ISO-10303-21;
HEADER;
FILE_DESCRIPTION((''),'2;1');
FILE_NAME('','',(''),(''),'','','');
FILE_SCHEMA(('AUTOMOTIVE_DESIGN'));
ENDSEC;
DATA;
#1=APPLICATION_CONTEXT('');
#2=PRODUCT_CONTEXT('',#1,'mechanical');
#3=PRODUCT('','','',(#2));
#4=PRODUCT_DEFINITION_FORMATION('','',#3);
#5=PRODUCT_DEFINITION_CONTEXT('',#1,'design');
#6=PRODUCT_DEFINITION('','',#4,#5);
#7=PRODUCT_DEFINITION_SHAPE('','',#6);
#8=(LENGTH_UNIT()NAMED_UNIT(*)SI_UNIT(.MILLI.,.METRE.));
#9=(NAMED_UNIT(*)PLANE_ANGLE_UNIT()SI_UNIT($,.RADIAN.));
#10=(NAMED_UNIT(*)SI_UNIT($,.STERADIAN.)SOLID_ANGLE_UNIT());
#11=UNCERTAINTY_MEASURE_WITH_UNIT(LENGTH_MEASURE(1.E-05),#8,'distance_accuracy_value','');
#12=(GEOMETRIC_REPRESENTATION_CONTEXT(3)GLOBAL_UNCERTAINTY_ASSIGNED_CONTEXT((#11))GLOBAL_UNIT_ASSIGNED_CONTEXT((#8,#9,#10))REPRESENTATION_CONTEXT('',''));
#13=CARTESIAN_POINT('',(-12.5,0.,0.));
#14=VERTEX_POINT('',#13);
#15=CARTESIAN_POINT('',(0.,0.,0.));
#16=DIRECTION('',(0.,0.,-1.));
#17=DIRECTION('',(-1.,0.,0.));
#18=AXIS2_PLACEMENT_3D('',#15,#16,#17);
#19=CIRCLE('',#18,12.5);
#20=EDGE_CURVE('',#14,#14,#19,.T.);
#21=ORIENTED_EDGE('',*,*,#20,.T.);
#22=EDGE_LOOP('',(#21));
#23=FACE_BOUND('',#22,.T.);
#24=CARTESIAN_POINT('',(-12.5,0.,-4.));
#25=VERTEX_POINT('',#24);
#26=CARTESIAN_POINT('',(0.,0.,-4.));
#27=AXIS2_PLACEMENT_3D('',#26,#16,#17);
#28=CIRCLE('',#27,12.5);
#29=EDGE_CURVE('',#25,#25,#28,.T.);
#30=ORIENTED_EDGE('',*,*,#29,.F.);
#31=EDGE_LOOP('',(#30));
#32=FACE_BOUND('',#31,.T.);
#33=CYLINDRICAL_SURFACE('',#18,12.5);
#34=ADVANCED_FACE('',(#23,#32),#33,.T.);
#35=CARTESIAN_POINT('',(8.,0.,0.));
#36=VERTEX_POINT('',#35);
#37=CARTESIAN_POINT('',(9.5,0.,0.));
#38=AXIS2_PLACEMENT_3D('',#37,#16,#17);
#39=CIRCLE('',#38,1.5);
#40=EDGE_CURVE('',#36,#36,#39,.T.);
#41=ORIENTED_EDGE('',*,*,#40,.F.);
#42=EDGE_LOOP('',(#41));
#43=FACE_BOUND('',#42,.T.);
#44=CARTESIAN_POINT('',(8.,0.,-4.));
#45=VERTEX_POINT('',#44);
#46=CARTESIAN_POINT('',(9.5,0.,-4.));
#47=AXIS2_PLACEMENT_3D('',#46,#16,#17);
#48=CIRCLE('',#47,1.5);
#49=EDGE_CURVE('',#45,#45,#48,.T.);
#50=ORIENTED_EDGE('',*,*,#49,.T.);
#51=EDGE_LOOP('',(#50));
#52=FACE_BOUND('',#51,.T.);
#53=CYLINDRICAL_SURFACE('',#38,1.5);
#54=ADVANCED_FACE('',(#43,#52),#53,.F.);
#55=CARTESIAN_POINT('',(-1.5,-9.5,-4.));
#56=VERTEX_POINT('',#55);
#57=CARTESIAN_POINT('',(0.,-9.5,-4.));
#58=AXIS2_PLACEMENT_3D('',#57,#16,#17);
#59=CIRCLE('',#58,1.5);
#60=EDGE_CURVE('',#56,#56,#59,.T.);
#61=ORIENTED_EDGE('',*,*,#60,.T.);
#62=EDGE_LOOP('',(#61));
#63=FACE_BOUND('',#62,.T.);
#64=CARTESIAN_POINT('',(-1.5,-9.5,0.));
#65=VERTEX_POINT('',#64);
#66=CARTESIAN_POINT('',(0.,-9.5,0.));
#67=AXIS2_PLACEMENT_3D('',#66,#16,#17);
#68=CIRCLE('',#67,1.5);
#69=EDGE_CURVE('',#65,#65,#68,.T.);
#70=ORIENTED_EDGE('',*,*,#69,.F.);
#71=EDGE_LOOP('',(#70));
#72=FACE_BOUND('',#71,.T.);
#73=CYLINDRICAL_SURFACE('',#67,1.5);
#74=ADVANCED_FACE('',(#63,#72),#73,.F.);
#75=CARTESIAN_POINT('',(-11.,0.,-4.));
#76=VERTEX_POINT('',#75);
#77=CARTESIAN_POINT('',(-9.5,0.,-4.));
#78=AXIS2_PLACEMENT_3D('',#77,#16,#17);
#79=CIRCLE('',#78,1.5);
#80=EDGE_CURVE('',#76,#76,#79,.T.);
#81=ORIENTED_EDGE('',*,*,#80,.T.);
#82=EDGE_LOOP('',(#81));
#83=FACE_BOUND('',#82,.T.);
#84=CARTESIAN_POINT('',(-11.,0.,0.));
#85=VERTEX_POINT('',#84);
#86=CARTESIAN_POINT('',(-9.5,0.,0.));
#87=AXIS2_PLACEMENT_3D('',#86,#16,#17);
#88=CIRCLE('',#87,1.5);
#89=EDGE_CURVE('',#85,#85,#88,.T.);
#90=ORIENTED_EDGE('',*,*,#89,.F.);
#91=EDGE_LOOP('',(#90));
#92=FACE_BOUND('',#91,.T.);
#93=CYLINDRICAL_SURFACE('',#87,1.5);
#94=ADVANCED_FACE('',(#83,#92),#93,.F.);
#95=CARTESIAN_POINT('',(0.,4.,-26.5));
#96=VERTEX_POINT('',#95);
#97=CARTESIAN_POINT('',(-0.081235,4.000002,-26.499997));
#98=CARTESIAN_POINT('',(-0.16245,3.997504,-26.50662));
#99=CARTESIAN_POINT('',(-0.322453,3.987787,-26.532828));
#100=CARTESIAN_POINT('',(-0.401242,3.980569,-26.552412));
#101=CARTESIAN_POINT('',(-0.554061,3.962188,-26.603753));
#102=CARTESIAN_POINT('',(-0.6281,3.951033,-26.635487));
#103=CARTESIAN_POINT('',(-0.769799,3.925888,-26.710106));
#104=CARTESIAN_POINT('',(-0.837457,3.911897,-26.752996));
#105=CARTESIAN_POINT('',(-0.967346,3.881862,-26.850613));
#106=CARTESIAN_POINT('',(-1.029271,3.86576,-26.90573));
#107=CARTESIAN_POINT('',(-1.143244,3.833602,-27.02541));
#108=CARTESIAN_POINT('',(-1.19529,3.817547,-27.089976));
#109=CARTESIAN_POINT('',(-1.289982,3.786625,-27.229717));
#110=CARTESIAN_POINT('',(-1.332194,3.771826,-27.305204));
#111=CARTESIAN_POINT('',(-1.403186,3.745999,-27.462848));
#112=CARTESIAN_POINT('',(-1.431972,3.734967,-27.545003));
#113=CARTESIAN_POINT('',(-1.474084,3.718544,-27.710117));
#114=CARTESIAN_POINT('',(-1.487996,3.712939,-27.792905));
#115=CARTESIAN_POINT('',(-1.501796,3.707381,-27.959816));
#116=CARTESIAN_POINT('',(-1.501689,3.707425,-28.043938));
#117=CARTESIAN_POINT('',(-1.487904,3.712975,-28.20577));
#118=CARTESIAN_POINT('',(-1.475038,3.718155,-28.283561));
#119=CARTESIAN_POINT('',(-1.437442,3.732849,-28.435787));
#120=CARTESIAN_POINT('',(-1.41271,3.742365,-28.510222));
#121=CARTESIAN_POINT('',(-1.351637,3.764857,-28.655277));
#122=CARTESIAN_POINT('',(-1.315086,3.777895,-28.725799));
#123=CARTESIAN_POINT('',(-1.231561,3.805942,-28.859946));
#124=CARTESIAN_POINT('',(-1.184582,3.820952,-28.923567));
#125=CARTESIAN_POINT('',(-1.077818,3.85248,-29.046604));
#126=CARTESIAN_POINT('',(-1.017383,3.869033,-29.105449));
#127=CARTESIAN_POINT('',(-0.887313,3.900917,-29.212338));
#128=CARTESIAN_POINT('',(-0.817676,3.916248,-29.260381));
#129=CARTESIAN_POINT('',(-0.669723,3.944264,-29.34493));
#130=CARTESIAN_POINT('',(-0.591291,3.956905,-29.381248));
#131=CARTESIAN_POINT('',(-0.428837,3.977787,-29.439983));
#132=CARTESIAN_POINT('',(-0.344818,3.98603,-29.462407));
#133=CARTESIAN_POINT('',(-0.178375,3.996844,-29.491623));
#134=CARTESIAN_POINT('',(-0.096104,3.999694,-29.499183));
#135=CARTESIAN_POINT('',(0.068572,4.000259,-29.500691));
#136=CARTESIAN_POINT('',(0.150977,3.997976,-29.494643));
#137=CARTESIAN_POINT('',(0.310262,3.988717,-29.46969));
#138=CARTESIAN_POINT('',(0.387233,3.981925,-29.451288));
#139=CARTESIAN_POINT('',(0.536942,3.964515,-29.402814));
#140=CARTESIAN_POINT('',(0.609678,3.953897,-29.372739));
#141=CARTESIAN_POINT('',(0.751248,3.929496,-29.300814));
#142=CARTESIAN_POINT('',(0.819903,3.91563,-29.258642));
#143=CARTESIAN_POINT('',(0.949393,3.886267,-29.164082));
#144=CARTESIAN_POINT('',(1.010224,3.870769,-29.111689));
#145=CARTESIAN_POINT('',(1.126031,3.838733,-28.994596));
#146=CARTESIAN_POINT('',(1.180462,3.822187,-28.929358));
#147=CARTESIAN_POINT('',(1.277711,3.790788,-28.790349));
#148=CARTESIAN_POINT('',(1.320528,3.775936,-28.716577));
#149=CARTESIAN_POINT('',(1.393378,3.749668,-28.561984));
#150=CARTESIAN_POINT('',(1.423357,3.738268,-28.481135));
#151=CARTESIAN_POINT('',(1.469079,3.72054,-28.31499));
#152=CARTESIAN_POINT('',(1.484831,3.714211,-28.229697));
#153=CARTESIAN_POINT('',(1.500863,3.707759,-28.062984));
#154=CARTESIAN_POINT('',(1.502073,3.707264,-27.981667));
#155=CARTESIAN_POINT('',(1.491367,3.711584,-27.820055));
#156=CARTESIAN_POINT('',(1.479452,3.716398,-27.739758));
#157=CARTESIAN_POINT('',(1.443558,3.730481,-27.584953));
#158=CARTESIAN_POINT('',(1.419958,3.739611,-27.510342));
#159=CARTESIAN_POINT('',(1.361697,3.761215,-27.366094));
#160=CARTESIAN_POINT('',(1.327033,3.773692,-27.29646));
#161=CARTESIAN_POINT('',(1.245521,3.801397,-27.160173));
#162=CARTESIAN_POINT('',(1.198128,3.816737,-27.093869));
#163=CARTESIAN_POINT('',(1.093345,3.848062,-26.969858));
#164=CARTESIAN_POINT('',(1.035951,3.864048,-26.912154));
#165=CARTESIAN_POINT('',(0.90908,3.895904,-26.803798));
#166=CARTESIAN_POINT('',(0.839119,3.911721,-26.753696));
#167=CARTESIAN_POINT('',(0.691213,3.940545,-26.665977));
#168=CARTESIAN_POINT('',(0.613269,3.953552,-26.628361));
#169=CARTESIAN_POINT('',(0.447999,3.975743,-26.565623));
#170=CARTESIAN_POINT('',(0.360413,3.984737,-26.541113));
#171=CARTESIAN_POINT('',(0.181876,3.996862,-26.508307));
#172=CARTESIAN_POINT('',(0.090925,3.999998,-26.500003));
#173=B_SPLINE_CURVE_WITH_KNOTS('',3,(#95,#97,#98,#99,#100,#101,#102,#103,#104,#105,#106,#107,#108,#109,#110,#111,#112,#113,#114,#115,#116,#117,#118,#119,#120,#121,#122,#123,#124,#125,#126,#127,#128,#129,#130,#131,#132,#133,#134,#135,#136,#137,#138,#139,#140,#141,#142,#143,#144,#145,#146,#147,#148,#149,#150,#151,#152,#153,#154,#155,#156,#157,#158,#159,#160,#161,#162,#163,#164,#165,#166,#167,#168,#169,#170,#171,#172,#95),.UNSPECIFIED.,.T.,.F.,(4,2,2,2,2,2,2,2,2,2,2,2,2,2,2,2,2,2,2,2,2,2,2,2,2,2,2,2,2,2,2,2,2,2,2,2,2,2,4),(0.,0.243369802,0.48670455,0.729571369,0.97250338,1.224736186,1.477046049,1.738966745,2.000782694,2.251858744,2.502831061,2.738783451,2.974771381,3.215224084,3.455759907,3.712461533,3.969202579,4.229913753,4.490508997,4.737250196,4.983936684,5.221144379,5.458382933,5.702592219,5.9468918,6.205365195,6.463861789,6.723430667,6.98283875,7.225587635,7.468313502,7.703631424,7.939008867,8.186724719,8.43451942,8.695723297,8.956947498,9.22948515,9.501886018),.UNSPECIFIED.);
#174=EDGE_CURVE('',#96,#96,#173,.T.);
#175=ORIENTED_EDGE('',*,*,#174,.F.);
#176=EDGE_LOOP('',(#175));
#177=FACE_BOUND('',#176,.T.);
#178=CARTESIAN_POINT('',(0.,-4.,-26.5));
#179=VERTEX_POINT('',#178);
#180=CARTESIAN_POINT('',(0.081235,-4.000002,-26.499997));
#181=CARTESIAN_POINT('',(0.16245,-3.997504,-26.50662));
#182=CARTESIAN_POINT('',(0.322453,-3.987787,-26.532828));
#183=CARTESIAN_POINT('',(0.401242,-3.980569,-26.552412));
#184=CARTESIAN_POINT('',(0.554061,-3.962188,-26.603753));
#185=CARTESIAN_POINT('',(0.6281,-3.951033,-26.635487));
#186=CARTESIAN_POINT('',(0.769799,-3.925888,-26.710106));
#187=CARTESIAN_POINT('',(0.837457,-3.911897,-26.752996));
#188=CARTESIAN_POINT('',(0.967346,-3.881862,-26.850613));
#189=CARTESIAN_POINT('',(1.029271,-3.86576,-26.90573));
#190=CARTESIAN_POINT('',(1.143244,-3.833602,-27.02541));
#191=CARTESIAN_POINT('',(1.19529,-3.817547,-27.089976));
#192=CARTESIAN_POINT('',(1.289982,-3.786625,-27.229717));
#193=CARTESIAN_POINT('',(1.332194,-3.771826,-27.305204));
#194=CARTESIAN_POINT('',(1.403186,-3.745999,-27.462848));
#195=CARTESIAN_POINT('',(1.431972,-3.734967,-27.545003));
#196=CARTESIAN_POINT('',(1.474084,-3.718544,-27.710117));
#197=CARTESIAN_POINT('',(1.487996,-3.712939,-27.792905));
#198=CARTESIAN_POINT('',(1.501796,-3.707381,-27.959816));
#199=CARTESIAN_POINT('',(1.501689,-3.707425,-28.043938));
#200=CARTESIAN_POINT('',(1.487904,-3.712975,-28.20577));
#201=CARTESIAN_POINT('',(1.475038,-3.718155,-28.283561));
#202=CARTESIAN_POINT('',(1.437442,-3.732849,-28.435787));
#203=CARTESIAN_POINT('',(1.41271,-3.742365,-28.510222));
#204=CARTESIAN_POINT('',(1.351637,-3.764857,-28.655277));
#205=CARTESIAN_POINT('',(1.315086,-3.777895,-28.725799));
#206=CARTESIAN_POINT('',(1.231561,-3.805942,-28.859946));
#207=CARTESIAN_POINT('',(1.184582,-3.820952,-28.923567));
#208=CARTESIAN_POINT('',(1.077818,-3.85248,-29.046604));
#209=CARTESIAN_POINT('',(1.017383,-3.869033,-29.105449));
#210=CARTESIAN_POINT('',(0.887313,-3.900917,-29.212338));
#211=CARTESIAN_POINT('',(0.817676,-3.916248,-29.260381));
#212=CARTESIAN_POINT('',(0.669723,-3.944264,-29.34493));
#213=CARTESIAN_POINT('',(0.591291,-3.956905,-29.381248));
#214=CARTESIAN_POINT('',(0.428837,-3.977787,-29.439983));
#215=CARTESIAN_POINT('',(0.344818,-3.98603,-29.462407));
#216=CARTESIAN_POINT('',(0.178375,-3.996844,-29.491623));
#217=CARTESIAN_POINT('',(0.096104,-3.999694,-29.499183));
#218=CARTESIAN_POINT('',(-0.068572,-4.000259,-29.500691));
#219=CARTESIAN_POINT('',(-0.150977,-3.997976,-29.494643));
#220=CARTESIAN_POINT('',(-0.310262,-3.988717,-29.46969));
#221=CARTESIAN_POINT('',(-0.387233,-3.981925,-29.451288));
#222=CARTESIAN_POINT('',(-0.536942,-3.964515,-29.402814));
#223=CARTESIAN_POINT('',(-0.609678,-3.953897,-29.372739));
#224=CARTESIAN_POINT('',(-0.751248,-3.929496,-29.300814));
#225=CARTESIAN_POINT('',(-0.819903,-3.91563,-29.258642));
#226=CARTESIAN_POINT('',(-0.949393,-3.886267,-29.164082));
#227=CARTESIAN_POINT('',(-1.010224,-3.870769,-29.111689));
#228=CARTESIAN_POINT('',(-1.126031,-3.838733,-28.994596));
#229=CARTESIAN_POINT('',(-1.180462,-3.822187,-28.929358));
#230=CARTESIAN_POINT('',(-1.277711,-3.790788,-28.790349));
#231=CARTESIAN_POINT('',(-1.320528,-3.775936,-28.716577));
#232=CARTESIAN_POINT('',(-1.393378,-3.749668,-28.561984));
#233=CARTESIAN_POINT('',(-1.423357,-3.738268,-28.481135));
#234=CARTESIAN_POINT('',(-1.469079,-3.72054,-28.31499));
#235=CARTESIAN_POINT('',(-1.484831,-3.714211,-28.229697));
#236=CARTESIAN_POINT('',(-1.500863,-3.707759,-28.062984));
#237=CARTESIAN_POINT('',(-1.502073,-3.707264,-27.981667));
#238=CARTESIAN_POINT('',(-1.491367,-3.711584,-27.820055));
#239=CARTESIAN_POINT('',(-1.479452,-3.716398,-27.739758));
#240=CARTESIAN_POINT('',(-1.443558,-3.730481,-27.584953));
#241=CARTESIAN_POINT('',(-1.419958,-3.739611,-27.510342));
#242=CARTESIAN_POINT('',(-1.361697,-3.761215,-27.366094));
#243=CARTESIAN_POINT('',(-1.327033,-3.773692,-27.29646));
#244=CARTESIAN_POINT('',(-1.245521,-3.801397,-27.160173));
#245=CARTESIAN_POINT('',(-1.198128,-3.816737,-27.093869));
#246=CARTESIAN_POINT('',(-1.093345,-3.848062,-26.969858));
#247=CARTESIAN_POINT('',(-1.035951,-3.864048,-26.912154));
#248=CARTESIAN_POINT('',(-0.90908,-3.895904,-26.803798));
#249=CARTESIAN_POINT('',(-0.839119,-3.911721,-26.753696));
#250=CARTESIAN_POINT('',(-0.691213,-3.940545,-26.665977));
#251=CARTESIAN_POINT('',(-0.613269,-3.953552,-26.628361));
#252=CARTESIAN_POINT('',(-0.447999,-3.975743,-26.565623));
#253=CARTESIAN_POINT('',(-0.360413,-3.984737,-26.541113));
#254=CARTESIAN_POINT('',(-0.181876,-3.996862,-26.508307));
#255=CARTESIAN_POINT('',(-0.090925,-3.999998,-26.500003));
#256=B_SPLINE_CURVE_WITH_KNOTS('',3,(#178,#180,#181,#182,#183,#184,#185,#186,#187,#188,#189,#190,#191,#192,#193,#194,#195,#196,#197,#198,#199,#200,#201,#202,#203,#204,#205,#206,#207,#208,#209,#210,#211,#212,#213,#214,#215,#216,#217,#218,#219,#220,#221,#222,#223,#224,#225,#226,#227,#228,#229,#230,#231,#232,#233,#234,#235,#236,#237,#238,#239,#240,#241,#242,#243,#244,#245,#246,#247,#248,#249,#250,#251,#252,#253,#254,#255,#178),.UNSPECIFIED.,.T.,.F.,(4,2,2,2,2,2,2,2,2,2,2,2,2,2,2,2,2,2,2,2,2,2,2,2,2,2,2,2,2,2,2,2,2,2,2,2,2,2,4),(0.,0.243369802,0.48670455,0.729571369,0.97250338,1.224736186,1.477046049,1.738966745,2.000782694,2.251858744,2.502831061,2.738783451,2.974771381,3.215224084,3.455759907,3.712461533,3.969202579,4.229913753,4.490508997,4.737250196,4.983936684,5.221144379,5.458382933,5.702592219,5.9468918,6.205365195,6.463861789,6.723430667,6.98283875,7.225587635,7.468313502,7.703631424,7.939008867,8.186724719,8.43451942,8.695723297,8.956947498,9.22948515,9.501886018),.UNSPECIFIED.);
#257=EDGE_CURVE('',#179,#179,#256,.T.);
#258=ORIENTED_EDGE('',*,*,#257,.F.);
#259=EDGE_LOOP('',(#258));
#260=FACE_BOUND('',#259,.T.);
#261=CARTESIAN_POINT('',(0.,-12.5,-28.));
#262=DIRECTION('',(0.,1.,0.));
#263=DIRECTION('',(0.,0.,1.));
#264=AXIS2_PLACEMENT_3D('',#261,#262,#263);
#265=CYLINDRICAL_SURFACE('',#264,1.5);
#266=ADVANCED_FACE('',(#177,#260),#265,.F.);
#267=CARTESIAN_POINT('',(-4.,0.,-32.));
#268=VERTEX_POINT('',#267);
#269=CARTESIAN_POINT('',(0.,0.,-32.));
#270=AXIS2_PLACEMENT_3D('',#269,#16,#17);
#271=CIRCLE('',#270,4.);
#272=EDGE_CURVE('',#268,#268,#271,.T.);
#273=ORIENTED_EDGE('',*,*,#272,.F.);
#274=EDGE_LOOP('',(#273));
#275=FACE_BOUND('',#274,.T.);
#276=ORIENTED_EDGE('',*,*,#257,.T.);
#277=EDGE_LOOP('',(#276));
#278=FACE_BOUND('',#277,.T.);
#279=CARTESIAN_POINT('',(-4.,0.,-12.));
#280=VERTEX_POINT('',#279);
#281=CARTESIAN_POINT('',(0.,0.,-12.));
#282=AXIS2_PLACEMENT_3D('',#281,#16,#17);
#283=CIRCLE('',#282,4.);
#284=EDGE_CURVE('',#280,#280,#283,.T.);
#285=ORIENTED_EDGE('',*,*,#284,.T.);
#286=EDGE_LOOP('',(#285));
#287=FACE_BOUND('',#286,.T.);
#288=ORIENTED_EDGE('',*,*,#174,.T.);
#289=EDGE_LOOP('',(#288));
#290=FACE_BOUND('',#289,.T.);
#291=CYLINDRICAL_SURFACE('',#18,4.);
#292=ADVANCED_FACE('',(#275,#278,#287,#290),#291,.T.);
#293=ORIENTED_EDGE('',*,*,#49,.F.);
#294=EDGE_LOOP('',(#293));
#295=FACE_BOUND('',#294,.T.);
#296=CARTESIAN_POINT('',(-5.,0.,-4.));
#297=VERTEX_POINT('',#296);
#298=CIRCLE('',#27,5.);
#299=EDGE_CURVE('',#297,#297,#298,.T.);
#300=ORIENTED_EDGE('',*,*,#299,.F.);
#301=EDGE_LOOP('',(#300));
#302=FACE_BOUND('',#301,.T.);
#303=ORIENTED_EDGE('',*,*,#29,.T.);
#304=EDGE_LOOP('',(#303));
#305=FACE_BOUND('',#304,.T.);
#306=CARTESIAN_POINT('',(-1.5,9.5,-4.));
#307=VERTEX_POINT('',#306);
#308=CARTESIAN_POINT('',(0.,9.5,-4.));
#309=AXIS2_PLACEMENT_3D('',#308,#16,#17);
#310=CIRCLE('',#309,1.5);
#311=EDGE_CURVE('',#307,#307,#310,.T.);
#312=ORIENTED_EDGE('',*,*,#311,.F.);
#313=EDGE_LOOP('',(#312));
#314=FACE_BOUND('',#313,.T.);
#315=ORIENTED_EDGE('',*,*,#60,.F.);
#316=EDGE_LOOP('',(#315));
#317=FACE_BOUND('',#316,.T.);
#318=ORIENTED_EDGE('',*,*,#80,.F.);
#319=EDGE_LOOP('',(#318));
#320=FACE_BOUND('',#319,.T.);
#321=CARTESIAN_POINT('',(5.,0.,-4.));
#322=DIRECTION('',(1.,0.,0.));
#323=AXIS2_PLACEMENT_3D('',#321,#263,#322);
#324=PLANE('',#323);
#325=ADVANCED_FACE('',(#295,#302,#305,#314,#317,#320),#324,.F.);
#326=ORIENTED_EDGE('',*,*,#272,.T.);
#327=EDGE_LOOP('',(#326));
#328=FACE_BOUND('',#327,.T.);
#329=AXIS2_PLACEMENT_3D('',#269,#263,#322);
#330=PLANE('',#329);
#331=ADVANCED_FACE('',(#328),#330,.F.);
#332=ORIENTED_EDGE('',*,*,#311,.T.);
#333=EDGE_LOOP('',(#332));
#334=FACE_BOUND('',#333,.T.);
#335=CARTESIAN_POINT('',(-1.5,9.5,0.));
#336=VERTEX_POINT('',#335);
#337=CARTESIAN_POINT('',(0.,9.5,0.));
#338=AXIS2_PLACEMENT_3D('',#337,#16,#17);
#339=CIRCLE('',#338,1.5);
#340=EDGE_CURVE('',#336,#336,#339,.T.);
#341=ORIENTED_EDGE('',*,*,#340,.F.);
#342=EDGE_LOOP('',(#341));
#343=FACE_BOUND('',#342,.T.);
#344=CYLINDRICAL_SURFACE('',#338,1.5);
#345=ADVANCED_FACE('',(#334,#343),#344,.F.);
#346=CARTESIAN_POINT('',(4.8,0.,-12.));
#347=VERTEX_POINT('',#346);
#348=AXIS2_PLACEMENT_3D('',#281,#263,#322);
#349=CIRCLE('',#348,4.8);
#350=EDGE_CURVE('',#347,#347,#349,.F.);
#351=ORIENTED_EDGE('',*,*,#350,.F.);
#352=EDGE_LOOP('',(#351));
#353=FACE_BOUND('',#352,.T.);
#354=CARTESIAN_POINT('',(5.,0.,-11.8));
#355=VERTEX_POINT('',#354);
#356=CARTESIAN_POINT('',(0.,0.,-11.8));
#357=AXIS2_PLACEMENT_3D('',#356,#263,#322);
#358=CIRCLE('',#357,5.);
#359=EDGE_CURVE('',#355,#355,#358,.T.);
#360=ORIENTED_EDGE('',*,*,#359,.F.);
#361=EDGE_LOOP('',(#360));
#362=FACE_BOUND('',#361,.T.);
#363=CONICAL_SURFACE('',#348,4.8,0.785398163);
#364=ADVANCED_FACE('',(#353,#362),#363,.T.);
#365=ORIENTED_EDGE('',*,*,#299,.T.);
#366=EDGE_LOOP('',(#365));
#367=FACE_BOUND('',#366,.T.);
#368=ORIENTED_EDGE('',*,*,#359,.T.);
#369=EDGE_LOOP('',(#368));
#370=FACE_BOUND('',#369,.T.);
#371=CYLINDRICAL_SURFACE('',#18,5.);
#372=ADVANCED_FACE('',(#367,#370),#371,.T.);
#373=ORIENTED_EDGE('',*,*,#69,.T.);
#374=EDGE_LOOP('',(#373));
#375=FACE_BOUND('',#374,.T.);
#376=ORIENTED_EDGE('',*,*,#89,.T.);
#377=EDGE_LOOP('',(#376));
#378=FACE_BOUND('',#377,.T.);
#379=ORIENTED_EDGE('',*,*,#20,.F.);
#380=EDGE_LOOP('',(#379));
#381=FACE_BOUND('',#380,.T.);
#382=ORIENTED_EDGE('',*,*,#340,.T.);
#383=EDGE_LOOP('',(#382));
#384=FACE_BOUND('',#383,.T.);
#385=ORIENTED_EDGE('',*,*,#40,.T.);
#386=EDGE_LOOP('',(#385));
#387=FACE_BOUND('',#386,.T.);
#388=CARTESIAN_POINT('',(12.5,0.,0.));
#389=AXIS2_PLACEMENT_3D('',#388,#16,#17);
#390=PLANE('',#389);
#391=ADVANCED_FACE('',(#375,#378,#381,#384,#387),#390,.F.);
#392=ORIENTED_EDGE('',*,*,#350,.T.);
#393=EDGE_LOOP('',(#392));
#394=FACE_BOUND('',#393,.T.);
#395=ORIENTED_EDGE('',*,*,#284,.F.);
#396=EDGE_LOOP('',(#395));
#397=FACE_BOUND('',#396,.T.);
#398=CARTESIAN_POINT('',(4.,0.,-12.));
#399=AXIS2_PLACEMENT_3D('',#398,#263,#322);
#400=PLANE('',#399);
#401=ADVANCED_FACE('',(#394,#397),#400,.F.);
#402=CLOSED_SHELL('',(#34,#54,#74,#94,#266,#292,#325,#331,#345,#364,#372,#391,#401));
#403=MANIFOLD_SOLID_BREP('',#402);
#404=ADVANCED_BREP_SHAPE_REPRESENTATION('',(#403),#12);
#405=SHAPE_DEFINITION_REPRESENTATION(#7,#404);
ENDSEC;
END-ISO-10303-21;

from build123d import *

# Parameters (mm, degrees)
SKETCH7_R               = 1.5
CUT_EXTRUDE1_DEPTH      = 5
CHAMFER1_SIZE           = 0.2
SKETCH4_R               = 1.5
CUT_EXTRUDE2_DEPTH      = 13.5
CUT_EXTRUDE2_DEPTH_BACK = 13.5


with BuildPart() as part:
    # Sketch1 → Revolve1 (revolve)
    with BuildSketch(Plane(origin=(0, 0, 0), x_dir=(1, 0, 0), z_dir=(0, 1, 0))):
        Polygon((0, 0), (0, 32), (4, 32), (4, 12), (5, 12), (5, 4), (12.5, 4), (12.5, 0), align=None)
    revolve(axis=Axis((0, 0, 0), (0, 0, 1)))

    # Sketch7 → Cut-Extrude1 (cut, through all)
    with BuildSketch(Plane(origin=(0, 0, -4), x_dir=(-1, 0, 0), z_dir=(0, 0, -1))):
        with Locations((-9.5, 0)):
            Circle(SKETCH7_R)
        with Locations((0, 9.5)):
            Circle(SKETCH7_R)
        with Locations((9.5, 0)):
            Circle(SKETCH7_R)
        with Locations((0, -9.5)):
            Circle(SKETCH7_R)
    extrude(amount=-CUT_EXTRUDE1_DEPTH, mode=Mode.SUBTRACT)

    # Chamfer1
    chamfer1_edges = [part.edges().sort_by_distance(p)[0] for p in [
        (-5, 0, -12),
    ]]
    chamfer(chamfer1_edges, length=CHAMFER1_SIZE)

    # Sketch4 → Cut-Extrude2 (cut, two sides)
    with BuildSketch(Plane(origin=(0, 0, 0), x_dir=(1, 0, 0), z_dir=(0, 1, 0))) as cut_extrude2_sk:
        with Locations((0, 28)):
            Circle(SKETCH4_R)
    extrude(amount=CUT_EXTRUDE2_DEPTH, mode=Mode.SUBTRACT)
    extrude(cut_extrude2_sk.sketch, amount=-CUT_EXTRUDE2_DEPTH_BACK, mode=Mode.SUBTRACT)


solid = part.part
